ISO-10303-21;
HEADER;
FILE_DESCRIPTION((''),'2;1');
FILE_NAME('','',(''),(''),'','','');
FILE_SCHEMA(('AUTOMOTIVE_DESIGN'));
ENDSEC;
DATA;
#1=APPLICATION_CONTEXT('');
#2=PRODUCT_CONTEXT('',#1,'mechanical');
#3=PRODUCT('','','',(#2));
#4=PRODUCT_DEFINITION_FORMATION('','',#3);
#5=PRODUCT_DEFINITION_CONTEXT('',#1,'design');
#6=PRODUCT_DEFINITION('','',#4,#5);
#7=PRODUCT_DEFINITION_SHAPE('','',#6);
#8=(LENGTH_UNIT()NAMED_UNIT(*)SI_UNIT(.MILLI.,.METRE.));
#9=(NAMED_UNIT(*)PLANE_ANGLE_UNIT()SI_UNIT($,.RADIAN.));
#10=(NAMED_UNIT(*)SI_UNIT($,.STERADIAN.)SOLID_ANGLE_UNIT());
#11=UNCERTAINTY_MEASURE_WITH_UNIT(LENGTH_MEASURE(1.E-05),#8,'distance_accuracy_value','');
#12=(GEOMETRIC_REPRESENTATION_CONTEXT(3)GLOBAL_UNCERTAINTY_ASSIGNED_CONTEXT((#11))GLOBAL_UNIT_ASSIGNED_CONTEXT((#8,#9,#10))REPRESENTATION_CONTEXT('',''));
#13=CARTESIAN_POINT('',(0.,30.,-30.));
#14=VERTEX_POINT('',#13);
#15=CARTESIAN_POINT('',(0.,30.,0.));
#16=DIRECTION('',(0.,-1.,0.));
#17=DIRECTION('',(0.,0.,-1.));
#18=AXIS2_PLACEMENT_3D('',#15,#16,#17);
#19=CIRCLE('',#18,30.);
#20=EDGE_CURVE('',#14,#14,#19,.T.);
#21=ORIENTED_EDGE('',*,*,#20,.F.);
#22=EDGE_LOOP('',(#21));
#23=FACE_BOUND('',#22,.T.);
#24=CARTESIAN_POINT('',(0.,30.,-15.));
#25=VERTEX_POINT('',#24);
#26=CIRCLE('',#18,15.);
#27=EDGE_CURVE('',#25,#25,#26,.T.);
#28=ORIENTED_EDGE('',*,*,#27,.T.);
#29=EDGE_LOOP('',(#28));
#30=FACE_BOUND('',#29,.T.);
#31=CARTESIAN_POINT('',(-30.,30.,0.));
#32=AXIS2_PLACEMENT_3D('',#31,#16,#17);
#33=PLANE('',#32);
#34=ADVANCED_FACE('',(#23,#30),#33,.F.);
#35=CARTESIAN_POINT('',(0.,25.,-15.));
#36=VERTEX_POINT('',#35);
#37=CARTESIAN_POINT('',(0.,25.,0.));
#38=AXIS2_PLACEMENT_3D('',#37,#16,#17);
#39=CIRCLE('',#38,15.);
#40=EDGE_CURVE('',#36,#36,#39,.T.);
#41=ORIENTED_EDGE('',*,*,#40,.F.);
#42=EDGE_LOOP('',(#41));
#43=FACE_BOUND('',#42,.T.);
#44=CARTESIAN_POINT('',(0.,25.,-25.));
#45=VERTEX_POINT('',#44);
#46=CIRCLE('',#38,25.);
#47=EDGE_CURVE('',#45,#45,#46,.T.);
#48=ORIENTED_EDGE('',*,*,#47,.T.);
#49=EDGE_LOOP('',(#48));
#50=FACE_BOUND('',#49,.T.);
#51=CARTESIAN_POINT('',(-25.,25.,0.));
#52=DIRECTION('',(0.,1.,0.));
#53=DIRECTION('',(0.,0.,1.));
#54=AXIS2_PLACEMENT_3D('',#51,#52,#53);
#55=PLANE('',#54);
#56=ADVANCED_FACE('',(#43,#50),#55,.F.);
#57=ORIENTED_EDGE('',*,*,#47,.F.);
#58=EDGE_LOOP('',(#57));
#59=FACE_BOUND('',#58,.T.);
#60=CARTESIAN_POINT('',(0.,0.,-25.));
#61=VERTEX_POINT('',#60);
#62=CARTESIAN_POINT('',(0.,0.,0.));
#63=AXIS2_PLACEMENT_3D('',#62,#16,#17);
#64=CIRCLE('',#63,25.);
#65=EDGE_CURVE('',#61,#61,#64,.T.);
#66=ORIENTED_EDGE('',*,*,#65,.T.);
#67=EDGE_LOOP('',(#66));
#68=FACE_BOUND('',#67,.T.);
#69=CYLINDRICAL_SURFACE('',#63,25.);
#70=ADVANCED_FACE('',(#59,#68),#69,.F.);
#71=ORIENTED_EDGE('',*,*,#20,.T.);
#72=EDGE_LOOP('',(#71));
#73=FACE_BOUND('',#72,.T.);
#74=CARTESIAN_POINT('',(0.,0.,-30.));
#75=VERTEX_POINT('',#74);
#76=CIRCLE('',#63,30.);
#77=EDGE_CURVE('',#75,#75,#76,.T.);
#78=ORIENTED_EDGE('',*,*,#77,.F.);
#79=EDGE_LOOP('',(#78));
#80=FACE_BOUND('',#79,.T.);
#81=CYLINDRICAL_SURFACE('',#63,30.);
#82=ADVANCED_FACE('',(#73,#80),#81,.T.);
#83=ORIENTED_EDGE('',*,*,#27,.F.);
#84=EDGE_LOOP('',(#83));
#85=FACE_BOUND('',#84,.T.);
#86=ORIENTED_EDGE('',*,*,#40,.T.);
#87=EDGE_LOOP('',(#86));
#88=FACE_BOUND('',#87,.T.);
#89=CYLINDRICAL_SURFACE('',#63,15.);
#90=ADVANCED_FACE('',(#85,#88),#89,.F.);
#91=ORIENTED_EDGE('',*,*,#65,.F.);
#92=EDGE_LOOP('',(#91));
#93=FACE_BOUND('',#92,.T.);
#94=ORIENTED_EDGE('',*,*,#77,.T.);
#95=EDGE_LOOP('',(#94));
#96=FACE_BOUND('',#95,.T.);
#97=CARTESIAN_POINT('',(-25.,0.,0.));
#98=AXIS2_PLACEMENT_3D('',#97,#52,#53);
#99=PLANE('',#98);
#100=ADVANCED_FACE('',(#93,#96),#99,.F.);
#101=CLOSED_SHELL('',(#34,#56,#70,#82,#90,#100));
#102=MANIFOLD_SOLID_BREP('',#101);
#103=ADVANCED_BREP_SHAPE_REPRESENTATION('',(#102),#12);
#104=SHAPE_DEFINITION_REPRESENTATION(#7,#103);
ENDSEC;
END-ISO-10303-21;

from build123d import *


with BuildPart() as part:
    # Sketch3 → Revolve1 (revolve)
    with BuildSketch(Plane.XY, mode=Mode.PRIVATE) as revolve1_sk:
        Polygon((-25, 0), (-30, 0), (-30, 30), (-15, 30), (-15, 25), (-25, 25), align=None)
    revolve(revolve1_sk.sketch.rotate(Axis((0, 0, 0), (0, 1, 0)), 270), axis=Axis((0, 0, 0), (0, 1, 0)))


solid = part.part
